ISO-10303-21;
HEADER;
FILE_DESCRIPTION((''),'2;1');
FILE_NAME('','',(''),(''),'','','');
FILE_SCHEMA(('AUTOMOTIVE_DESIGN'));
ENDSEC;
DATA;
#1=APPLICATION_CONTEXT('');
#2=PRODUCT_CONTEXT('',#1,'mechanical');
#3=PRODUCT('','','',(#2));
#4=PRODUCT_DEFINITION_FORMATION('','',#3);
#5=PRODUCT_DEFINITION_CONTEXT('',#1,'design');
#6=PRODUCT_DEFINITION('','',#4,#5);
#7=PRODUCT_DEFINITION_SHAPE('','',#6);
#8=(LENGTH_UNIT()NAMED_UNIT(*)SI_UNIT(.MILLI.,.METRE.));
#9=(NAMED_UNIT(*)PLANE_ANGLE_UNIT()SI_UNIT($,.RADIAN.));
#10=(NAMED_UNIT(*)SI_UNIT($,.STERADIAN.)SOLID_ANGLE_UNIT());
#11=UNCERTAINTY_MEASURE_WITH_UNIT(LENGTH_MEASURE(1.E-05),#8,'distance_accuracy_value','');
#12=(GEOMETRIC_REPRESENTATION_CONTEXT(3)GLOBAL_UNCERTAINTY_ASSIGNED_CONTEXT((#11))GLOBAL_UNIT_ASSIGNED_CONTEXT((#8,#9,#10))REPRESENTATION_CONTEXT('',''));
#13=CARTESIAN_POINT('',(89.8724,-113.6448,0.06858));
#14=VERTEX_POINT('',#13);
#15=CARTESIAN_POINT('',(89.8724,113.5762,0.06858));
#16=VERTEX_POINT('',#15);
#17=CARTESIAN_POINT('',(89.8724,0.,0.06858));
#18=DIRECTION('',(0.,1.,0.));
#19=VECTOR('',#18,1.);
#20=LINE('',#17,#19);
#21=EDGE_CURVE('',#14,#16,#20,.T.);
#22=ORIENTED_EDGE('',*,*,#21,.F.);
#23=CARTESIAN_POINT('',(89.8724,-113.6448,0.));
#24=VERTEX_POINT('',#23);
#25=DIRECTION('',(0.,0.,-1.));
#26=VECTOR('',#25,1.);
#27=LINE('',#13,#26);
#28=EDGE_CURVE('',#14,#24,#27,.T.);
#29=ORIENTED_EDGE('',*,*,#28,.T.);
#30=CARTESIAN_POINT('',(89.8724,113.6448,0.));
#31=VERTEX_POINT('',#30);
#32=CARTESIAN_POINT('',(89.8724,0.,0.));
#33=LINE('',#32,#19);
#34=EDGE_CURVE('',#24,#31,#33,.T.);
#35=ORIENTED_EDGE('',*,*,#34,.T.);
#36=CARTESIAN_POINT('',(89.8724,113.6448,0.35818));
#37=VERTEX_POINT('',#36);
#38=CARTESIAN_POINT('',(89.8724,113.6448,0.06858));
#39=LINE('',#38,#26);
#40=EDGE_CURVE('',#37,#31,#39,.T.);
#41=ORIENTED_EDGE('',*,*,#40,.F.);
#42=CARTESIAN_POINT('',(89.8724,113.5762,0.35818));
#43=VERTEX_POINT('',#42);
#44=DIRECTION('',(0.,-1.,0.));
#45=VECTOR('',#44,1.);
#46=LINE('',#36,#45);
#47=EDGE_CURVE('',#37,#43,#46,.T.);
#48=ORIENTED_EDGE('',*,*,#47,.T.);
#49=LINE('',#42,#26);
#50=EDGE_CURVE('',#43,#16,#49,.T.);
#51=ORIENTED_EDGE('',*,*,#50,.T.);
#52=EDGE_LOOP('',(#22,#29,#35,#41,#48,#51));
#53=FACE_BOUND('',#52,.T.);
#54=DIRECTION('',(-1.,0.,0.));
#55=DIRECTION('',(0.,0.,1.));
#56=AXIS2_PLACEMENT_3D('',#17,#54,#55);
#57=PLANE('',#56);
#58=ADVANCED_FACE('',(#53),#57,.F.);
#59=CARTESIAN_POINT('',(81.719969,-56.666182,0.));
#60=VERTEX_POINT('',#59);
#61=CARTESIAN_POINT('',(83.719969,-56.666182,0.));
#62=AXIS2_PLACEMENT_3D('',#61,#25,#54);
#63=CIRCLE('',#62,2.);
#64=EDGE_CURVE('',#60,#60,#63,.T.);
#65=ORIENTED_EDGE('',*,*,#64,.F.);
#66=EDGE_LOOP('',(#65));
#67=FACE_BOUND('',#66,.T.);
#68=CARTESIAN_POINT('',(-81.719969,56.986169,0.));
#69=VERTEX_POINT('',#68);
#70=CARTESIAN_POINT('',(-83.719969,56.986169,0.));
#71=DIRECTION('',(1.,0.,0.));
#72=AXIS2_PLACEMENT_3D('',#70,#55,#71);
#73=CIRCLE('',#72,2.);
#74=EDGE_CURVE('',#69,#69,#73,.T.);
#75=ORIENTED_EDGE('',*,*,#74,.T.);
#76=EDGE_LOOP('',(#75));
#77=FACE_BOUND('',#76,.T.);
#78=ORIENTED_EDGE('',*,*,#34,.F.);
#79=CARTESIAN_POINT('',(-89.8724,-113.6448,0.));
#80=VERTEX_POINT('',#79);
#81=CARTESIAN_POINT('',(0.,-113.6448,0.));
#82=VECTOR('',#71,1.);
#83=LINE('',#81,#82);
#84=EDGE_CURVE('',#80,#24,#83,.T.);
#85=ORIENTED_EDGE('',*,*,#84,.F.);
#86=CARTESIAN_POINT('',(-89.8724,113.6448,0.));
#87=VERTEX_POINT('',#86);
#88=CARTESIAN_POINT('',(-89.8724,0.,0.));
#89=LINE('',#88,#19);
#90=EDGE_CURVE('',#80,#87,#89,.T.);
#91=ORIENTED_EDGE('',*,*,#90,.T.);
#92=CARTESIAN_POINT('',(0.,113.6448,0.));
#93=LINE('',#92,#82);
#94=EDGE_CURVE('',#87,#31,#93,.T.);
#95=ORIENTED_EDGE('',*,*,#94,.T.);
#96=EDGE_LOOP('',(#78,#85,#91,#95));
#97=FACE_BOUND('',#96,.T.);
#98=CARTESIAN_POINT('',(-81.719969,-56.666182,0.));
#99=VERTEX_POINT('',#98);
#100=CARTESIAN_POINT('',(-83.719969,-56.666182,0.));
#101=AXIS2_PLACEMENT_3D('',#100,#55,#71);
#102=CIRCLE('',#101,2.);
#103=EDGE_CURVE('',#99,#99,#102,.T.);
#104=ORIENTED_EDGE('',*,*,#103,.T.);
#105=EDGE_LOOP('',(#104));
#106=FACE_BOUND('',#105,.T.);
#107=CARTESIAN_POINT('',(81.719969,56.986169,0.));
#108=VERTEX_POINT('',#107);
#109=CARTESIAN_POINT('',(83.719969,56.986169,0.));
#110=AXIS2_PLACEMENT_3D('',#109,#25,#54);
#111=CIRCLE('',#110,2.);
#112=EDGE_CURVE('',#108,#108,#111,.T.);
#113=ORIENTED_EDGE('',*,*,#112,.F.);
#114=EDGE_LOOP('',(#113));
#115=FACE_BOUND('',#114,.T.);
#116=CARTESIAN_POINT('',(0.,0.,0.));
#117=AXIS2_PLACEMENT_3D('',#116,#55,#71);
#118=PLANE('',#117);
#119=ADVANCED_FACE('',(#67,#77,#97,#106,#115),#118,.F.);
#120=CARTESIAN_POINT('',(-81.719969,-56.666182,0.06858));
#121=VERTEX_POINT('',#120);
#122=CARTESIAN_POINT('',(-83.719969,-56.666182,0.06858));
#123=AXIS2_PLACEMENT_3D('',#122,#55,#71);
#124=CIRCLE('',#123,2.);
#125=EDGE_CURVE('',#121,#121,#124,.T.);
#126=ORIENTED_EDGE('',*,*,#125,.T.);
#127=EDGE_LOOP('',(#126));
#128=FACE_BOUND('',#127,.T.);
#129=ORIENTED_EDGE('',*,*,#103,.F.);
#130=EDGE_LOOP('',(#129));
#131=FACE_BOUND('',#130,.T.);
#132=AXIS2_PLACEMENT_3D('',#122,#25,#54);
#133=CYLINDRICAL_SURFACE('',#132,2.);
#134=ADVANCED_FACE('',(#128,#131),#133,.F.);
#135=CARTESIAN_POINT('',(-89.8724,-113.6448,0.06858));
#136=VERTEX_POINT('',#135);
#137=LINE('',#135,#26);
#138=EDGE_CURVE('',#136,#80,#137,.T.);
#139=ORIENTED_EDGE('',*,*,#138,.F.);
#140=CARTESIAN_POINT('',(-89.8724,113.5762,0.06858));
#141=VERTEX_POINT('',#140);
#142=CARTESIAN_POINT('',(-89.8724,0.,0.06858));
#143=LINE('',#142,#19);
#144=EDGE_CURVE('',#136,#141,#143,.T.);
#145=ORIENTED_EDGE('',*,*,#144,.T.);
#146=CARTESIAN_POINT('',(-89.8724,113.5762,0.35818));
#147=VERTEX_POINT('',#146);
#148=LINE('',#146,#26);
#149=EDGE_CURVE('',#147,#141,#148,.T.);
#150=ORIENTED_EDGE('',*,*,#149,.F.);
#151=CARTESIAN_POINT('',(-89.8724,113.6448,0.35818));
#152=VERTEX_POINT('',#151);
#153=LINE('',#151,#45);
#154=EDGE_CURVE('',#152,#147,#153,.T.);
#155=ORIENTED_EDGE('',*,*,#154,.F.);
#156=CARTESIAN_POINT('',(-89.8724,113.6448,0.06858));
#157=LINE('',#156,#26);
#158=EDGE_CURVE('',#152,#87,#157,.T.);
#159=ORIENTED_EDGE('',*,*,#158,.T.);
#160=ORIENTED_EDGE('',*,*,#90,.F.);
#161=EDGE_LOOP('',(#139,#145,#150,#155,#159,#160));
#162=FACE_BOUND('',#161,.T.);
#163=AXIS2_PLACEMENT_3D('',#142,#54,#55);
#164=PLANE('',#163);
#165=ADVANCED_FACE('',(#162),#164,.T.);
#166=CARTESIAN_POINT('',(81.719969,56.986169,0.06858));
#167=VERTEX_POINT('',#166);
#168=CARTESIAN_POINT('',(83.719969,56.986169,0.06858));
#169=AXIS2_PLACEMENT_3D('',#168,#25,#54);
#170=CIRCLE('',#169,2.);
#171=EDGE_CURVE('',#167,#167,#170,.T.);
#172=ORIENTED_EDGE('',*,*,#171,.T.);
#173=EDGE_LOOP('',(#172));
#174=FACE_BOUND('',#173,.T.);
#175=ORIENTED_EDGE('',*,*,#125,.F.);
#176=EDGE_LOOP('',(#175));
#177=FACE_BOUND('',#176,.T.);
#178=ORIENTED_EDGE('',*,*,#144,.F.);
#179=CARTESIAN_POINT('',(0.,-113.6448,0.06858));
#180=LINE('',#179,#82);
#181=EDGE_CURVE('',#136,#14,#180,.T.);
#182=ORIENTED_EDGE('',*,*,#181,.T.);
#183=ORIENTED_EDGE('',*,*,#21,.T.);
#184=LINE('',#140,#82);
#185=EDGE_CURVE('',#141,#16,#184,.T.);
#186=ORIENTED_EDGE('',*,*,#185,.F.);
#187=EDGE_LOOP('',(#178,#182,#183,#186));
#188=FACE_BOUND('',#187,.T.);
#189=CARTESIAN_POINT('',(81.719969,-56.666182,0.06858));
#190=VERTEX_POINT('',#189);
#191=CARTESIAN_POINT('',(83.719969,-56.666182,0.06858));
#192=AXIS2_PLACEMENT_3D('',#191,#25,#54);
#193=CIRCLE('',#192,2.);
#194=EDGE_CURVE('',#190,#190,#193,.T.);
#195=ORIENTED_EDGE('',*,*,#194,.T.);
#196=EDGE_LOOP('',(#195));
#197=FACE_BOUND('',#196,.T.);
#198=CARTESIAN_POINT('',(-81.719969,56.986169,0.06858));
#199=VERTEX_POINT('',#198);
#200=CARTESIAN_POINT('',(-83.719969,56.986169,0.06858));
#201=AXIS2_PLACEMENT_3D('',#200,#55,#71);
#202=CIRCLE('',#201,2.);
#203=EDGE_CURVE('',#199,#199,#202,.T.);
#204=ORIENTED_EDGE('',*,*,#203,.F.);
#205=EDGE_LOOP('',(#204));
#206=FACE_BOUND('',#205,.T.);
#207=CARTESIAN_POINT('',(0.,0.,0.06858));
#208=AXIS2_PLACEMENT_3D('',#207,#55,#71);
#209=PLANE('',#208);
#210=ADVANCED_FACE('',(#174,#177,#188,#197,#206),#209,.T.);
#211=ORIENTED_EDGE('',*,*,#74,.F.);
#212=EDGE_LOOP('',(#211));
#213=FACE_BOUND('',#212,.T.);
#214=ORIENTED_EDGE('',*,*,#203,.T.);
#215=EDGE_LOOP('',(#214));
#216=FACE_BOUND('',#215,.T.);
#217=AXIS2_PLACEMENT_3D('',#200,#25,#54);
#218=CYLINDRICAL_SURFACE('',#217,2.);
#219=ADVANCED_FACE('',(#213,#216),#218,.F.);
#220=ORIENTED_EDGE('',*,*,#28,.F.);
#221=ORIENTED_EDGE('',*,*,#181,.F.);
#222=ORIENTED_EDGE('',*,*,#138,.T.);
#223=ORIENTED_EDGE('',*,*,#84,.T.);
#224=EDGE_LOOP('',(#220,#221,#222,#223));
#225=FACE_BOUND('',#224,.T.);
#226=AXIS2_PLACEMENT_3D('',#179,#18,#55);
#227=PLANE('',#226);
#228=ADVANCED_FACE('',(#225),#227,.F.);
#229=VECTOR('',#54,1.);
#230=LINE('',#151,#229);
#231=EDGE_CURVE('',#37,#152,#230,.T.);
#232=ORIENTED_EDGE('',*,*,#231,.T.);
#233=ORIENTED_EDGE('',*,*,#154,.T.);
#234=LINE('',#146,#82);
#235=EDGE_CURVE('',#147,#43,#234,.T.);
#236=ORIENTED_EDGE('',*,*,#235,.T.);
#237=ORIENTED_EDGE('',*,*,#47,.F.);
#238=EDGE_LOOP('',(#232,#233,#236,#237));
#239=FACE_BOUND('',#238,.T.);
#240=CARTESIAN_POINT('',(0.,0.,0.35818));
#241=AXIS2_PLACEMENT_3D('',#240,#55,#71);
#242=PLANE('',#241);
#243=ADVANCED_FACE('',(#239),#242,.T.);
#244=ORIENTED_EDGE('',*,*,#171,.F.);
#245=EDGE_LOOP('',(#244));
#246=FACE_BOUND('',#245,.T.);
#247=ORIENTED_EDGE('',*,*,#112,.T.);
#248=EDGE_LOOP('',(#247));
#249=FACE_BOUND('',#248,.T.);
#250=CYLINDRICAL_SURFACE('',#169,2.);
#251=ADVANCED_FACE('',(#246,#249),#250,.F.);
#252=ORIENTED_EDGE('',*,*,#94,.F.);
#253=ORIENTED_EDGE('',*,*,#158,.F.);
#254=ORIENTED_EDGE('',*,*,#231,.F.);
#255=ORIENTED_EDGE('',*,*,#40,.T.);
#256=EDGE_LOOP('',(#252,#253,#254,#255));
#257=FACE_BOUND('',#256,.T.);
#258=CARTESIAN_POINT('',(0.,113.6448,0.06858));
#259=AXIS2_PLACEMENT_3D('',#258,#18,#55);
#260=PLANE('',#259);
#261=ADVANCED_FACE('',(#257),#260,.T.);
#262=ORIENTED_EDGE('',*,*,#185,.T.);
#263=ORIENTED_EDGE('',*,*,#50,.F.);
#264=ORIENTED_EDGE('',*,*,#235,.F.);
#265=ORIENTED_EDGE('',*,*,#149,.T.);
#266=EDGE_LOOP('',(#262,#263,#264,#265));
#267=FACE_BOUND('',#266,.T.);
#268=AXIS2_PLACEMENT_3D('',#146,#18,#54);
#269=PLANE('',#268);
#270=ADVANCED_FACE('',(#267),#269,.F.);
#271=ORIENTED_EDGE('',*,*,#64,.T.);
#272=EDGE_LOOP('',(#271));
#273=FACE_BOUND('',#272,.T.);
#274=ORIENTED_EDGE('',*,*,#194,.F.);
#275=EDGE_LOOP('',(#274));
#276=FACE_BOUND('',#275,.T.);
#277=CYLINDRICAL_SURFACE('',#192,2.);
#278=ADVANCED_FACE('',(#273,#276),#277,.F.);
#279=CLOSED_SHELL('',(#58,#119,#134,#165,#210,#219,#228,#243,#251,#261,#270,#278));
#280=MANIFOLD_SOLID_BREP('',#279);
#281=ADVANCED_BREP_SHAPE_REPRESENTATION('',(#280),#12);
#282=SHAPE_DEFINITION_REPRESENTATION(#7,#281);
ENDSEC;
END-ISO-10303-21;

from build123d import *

# Parameters (mm, degrees)
SKETCH1_W          = 89.8724
SKETCH1_H          = 227.2896
SKETCH1_R          = 2
BODY_DEPTH         = 0.06858
SKETCH2_W          = 89.8724
SKETCH2_H          = 0.0686
TOP_OVERWRAP_DEPTH = 0.2896


with BuildPart() as part:
    # Sketch1 → Body (new body)
    with BuildSketch(Plane.XY):
        with Locations((-44.9362, 0)):
            Rectangle(SKETCH1_W, SKETCH1_H)
        with Locations((-83.71996894, -56.66618171)):
            Circle(SKETCH1_R, mode=Mode.SUBTRACT)
        with Locations((-83.71996894, 56.98616943)):
            Circle(SKETCH1_R, mode=Mode.SUBTRACT)
    body = extrude(amount=BODY_DEPTH)

    # Sketch2 → Top Overwrap (add)
    with BuildSketch(Plane(origin=(0, 227.3734, 0.06858), x_dir=(-1, 0, 0), z_dir=(0, 0, 1))):
        with Locations((44.9362, 113.7629)):
            Rectangle(SKETCH2_W, SKETCH2_H)
    top_overwrap = extrude(amount=TOP_OVERWRAP_DEPTH)

    # Mirror1: Body, Top Overwrap across plane
    add(body.mirror(Plane(origin=(0, 0, 0), x_dir=(0, 0, 1), z_dir=(1, 0, 0))))
    add(top_overwrap.mirror(Plane(origin=(0, 0, 0), x_dir=(0, 0, 1), z_dir=(1, 0, 0))))


solid = part.part
